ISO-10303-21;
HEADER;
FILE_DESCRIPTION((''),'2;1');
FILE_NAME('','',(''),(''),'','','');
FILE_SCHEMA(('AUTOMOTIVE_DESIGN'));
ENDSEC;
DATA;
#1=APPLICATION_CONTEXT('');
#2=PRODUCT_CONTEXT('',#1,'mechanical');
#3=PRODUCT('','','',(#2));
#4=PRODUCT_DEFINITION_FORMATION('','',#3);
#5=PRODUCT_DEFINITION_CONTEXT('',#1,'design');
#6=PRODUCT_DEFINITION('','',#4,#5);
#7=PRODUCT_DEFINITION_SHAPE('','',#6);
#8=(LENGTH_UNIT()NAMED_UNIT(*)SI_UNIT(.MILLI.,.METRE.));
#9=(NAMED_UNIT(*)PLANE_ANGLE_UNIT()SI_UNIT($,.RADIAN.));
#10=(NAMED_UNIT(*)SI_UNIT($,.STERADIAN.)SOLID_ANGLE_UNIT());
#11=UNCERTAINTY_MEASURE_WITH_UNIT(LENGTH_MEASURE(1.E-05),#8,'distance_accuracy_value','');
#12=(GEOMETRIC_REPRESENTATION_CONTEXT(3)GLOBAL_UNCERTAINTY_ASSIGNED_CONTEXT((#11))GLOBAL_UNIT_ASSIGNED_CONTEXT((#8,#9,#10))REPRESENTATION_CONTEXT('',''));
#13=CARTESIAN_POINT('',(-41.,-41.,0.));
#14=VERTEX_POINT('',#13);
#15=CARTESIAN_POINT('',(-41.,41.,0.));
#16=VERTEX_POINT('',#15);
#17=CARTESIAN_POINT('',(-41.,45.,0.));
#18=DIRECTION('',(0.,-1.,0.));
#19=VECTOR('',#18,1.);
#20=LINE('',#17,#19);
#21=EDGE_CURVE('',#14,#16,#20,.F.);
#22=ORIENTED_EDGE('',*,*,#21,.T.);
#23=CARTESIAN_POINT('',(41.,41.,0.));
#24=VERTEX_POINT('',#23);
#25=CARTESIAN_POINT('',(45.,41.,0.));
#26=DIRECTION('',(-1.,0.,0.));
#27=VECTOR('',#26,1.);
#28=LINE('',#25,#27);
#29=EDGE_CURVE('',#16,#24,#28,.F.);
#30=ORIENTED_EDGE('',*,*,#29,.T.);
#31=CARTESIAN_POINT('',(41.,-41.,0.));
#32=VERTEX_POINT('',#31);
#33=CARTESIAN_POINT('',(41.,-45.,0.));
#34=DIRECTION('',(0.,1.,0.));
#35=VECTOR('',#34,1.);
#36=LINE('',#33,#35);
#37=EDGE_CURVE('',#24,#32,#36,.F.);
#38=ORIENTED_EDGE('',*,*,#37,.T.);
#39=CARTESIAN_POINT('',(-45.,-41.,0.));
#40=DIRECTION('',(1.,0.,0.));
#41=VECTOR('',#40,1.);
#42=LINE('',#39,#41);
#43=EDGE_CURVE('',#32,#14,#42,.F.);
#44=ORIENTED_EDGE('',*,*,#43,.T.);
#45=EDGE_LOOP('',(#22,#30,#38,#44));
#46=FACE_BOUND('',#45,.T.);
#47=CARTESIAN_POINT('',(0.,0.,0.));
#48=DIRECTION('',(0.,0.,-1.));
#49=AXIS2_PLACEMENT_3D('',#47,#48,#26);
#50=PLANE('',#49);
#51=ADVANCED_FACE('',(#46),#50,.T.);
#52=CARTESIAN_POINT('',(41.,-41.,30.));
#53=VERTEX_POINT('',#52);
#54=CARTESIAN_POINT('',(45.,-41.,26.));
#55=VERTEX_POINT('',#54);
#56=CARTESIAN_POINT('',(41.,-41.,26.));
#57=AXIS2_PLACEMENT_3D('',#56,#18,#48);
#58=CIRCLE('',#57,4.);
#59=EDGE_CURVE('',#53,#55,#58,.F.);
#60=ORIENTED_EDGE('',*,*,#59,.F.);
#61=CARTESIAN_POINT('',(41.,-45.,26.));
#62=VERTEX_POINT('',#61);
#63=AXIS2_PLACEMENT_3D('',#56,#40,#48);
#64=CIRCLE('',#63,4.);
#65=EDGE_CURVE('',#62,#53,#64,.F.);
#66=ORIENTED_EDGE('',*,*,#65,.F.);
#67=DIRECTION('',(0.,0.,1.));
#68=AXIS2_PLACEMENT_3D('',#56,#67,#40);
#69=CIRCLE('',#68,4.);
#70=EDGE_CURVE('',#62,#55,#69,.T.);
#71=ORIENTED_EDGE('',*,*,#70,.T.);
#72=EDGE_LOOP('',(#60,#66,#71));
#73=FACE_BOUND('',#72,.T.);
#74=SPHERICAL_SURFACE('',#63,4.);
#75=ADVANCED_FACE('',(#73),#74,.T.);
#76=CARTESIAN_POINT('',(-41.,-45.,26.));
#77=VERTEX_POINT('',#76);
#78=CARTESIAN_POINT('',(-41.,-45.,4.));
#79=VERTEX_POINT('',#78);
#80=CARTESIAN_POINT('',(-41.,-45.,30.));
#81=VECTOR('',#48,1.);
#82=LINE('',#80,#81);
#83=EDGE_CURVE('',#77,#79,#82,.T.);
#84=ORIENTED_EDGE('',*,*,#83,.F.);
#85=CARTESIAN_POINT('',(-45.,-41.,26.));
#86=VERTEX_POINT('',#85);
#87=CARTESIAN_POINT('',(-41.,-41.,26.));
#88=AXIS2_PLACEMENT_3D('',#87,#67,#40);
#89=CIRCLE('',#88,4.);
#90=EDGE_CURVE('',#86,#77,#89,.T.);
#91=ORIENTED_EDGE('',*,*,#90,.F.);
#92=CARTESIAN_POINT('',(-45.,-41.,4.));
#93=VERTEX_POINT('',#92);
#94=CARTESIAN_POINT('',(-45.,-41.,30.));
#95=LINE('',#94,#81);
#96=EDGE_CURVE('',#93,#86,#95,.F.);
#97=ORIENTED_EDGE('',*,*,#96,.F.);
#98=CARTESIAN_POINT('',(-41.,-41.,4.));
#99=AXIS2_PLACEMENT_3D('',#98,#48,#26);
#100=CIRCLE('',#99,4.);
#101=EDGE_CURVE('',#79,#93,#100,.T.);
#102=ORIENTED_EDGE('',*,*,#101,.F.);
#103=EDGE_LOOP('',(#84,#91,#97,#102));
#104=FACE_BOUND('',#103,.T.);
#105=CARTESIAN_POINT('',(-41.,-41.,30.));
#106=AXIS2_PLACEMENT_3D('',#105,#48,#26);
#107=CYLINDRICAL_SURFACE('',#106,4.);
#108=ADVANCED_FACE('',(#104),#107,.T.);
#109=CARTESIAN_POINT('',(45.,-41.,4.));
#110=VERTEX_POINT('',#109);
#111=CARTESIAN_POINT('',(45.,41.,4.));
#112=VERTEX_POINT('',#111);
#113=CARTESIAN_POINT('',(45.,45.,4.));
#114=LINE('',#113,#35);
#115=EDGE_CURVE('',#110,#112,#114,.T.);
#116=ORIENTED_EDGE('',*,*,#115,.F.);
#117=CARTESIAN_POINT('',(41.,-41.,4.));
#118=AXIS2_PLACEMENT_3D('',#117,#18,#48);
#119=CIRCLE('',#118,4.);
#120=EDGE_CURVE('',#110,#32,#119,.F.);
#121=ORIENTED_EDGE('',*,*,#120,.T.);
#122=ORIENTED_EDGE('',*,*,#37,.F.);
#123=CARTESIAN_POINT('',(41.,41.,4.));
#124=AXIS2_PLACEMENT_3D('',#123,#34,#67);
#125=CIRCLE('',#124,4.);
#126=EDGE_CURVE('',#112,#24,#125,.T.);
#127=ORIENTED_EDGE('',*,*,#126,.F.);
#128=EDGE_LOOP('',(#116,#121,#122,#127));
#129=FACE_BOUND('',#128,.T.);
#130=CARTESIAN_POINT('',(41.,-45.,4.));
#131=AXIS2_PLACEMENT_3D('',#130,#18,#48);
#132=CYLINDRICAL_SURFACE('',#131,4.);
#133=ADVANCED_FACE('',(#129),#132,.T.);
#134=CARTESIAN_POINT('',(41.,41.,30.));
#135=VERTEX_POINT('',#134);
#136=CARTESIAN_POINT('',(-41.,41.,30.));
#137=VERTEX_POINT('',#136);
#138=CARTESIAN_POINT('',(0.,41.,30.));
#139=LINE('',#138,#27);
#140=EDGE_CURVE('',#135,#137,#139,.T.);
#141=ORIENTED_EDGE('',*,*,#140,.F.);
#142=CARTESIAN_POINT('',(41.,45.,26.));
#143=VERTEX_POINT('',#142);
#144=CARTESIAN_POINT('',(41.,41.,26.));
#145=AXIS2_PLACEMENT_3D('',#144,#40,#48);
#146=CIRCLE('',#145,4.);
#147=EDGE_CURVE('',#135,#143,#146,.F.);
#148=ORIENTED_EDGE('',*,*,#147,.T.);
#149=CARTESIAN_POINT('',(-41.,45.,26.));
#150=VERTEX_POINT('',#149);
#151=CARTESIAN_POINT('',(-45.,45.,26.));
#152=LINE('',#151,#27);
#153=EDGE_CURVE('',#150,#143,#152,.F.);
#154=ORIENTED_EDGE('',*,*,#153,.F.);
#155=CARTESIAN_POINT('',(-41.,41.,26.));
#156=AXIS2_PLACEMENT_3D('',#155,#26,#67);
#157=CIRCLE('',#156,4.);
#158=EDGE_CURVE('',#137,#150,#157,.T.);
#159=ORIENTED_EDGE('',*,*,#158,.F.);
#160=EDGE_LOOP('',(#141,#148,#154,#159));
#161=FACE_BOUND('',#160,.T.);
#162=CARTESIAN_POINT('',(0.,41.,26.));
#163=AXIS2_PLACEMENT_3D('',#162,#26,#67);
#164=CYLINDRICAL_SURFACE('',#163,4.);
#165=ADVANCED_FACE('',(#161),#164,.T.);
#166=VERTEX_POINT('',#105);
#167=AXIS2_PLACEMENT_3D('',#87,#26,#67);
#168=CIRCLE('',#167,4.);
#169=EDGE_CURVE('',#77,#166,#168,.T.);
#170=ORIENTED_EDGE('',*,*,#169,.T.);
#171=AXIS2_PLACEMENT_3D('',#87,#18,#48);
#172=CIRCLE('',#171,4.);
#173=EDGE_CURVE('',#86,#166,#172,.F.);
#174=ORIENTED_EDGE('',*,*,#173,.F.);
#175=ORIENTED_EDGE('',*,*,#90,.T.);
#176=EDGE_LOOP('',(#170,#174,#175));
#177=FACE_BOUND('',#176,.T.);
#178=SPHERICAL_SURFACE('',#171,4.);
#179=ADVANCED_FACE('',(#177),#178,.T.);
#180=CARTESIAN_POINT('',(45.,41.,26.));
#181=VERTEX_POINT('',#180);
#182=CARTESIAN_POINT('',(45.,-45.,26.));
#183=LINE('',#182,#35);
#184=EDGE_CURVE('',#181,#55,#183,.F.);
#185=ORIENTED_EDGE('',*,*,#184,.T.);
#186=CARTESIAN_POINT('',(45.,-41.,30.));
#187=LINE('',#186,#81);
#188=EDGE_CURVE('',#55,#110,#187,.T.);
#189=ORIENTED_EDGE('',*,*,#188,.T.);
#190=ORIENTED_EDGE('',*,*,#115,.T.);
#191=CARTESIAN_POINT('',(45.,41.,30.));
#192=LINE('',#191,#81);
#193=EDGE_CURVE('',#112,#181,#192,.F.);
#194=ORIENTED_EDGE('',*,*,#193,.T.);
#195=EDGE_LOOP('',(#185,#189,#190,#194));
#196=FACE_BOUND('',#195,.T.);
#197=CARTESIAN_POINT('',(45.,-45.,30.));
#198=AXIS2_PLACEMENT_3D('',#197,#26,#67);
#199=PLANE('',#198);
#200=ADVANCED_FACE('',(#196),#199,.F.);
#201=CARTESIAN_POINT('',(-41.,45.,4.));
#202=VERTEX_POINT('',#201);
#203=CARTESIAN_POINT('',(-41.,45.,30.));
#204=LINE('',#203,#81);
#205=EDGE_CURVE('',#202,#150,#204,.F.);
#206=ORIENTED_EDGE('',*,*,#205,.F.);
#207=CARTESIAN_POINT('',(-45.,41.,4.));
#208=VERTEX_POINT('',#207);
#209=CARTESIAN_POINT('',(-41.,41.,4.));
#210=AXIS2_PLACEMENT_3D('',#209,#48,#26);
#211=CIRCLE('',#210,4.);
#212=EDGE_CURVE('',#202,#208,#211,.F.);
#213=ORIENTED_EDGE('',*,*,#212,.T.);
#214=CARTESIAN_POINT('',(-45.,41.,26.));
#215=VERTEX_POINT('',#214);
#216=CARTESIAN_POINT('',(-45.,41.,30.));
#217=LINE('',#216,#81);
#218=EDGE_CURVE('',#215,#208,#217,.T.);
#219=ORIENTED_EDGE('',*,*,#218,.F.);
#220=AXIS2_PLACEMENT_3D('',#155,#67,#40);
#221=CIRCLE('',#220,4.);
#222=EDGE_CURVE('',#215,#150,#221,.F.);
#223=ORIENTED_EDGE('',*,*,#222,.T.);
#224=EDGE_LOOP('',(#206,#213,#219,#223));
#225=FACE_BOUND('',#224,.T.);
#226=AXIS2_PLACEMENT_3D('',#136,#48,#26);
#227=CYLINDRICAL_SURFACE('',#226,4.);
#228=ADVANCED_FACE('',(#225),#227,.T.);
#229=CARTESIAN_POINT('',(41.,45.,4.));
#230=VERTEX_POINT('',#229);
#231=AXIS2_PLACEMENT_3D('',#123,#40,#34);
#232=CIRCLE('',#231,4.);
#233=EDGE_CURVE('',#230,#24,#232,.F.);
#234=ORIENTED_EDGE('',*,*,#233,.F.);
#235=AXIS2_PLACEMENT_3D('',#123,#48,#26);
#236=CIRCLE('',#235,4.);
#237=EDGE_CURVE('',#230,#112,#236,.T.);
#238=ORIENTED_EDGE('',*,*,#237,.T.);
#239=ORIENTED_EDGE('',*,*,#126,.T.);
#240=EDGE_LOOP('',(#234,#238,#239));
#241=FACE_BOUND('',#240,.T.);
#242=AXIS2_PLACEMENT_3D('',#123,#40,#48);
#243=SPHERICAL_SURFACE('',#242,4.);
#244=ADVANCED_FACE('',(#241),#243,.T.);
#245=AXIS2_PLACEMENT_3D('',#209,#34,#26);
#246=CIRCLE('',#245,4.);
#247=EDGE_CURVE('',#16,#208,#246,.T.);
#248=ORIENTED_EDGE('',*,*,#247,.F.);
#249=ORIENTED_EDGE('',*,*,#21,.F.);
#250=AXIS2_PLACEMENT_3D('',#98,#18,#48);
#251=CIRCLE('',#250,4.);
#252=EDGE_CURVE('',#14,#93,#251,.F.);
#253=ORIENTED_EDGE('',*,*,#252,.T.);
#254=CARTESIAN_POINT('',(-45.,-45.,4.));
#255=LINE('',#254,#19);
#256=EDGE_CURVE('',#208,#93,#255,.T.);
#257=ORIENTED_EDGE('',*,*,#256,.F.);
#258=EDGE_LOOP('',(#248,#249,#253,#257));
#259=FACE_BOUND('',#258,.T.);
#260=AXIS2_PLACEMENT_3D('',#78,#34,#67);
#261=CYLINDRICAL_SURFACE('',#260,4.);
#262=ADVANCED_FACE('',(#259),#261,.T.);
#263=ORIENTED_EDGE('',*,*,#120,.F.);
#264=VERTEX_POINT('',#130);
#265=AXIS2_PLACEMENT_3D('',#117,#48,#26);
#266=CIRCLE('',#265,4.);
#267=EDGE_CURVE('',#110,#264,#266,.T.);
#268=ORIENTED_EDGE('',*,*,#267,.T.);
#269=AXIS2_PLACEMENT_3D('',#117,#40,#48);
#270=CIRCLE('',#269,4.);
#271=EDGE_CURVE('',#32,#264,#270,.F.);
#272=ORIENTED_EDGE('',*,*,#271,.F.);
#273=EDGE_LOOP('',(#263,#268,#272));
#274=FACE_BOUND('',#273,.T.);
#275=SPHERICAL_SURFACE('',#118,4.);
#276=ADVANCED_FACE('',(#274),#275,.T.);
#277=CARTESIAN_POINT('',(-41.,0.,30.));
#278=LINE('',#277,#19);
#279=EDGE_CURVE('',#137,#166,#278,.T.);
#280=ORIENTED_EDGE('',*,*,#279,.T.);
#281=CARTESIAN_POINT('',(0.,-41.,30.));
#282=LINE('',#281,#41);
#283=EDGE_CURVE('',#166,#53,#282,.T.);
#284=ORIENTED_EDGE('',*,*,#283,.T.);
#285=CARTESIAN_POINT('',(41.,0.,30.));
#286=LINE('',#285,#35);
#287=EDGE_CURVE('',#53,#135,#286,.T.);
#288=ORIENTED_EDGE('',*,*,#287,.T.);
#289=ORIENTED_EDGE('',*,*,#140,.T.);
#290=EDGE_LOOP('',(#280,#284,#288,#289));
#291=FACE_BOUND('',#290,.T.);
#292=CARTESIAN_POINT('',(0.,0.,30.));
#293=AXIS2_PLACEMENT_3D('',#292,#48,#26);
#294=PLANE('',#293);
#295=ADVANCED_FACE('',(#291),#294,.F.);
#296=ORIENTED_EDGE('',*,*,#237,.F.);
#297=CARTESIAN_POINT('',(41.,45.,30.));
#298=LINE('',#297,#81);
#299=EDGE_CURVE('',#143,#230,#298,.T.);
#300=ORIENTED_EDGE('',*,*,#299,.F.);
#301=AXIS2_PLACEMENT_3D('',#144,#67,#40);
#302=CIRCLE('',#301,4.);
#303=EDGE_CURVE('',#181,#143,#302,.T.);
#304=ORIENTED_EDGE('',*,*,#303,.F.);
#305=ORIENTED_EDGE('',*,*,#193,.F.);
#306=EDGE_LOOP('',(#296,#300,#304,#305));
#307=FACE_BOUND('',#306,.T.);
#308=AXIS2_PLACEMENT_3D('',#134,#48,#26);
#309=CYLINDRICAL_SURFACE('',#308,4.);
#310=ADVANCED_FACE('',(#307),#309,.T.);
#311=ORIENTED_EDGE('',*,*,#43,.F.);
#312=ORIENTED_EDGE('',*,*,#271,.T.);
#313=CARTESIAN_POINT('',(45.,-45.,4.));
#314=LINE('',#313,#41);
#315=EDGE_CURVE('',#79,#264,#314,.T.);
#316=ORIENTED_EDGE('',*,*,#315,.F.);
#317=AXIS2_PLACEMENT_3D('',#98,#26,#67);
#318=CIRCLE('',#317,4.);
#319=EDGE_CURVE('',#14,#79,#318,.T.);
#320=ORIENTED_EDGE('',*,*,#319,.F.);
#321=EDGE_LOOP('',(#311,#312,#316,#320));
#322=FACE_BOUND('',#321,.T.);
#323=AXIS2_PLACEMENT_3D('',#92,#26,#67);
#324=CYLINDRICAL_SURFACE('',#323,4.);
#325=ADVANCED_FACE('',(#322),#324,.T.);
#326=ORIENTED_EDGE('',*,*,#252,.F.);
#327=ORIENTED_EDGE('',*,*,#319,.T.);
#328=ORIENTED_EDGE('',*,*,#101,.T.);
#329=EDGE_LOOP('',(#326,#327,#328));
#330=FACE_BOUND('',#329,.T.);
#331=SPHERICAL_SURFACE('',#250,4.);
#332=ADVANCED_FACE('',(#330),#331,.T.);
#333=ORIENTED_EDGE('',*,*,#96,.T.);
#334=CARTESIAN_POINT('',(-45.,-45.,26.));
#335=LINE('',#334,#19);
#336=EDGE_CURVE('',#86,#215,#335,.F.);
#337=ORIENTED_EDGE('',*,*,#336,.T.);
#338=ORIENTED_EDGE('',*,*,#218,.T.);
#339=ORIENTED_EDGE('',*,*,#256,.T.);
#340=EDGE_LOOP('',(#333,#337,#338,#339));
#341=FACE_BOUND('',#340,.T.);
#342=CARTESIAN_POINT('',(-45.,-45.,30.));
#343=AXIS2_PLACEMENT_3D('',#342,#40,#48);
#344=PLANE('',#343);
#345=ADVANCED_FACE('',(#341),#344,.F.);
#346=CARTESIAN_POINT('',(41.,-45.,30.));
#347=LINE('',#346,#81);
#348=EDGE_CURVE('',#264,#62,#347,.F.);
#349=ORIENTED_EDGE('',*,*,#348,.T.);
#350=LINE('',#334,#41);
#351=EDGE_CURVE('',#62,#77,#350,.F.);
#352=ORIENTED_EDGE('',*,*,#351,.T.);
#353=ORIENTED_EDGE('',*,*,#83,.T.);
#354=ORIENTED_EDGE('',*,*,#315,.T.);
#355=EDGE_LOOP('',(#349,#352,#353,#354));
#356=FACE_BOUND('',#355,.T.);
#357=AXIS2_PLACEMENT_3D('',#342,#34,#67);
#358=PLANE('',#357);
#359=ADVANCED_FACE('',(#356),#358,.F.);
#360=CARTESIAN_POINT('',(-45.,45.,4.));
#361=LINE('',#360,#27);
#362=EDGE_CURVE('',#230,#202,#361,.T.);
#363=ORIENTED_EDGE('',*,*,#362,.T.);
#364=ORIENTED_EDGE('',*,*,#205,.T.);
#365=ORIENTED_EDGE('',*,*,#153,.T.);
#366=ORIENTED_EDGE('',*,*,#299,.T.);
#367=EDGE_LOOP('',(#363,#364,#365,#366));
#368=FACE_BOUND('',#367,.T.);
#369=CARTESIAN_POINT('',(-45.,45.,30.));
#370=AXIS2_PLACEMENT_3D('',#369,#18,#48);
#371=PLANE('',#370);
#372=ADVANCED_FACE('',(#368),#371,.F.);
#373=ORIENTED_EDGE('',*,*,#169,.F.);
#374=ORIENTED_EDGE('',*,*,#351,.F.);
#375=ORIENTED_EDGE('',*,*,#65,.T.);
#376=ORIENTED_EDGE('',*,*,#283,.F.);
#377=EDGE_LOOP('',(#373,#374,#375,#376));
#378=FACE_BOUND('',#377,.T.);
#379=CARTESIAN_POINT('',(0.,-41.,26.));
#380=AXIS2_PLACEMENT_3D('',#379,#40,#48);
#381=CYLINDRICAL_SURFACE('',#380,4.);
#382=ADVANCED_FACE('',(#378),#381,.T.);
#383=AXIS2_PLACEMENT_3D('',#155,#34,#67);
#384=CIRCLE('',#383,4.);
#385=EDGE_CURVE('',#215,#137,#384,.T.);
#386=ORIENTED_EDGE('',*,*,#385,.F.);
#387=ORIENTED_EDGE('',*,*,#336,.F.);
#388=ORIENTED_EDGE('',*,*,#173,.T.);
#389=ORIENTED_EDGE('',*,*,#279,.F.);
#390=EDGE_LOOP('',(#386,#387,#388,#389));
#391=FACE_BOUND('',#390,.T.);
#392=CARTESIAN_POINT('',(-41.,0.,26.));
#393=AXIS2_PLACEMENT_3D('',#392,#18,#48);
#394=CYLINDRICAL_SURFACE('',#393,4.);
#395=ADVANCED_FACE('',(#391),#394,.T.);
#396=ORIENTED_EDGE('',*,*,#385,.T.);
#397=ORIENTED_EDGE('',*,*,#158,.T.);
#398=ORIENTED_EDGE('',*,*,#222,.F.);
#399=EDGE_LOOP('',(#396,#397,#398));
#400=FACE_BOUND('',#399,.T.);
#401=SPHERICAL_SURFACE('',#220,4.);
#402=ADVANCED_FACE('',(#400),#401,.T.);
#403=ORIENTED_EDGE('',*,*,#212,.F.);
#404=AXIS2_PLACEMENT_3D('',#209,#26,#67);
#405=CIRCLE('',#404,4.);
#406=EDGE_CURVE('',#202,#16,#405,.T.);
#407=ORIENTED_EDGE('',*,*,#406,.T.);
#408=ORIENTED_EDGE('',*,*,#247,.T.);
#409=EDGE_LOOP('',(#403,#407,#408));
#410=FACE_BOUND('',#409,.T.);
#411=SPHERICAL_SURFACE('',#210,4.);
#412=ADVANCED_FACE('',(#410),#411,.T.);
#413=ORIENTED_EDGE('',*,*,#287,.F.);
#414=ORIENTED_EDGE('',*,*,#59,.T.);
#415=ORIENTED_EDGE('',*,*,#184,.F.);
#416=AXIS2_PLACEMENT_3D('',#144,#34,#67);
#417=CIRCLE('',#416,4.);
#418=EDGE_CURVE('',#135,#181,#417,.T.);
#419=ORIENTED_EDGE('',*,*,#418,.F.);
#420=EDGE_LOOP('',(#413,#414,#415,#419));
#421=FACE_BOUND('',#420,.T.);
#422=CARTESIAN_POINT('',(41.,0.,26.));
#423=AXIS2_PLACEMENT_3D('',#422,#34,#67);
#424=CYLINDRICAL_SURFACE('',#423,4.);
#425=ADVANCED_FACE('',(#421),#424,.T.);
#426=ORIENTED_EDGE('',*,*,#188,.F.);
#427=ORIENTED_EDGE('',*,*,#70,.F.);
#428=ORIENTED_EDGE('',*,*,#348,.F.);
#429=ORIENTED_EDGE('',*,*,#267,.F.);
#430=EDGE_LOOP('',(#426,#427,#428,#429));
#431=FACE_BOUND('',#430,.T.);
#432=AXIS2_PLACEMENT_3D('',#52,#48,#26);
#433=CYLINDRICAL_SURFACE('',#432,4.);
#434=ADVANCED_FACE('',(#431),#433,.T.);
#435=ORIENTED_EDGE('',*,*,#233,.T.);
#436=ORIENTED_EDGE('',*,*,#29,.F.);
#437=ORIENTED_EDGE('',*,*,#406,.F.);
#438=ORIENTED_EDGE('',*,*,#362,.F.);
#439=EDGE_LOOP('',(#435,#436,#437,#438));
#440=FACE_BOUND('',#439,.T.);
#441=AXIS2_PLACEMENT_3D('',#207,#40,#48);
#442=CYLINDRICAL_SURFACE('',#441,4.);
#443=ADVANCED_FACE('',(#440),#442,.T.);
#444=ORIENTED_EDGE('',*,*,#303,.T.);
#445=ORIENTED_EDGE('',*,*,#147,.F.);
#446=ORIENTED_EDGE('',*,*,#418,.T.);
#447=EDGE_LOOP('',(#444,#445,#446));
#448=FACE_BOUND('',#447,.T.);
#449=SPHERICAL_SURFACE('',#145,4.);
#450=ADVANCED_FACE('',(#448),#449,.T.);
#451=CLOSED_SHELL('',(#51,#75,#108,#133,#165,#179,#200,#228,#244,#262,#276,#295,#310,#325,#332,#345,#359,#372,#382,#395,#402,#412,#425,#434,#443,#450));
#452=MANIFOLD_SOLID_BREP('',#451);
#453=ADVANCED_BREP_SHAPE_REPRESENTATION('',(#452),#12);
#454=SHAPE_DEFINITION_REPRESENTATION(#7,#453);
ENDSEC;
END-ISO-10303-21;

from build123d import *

# Parameters (mm, degrees)
SKETCH_1_W      = 90
SKETCH_1_H      = 90
EXTRUDE_1_DEPTH = 30
FILLET_1_R      = 4


with BuildPart() as part:
    # 草图1 → 凸台-拉伸1 (new body)
    with BuildSketch(Plane.XY):
        Rectangle(SKETCH_1_W, SKETCH_1_H)
    extrude(amount=EXTRUDE_1_DEPTH)

    # 圆角1
    fillet_1_edges = [part.edges().sort_by_distance(p)[0] for p in [
        (-45, 0, 30),
        (0, -45, 30),
        (45, 0, 30),
        (0, -45, 0),
        (-45, 0, 0),
        (0, 45, 0),
        (45, 0, 0),
        (45, -45, 15),
        (-45, -45, 15),
        (-45, 45, 15),
        (45, 45, 15),
        (0, 45, 30),
    ]]
    fillet(fillet_1_edges, radius=FILLET_1_R)


solid = part.part
